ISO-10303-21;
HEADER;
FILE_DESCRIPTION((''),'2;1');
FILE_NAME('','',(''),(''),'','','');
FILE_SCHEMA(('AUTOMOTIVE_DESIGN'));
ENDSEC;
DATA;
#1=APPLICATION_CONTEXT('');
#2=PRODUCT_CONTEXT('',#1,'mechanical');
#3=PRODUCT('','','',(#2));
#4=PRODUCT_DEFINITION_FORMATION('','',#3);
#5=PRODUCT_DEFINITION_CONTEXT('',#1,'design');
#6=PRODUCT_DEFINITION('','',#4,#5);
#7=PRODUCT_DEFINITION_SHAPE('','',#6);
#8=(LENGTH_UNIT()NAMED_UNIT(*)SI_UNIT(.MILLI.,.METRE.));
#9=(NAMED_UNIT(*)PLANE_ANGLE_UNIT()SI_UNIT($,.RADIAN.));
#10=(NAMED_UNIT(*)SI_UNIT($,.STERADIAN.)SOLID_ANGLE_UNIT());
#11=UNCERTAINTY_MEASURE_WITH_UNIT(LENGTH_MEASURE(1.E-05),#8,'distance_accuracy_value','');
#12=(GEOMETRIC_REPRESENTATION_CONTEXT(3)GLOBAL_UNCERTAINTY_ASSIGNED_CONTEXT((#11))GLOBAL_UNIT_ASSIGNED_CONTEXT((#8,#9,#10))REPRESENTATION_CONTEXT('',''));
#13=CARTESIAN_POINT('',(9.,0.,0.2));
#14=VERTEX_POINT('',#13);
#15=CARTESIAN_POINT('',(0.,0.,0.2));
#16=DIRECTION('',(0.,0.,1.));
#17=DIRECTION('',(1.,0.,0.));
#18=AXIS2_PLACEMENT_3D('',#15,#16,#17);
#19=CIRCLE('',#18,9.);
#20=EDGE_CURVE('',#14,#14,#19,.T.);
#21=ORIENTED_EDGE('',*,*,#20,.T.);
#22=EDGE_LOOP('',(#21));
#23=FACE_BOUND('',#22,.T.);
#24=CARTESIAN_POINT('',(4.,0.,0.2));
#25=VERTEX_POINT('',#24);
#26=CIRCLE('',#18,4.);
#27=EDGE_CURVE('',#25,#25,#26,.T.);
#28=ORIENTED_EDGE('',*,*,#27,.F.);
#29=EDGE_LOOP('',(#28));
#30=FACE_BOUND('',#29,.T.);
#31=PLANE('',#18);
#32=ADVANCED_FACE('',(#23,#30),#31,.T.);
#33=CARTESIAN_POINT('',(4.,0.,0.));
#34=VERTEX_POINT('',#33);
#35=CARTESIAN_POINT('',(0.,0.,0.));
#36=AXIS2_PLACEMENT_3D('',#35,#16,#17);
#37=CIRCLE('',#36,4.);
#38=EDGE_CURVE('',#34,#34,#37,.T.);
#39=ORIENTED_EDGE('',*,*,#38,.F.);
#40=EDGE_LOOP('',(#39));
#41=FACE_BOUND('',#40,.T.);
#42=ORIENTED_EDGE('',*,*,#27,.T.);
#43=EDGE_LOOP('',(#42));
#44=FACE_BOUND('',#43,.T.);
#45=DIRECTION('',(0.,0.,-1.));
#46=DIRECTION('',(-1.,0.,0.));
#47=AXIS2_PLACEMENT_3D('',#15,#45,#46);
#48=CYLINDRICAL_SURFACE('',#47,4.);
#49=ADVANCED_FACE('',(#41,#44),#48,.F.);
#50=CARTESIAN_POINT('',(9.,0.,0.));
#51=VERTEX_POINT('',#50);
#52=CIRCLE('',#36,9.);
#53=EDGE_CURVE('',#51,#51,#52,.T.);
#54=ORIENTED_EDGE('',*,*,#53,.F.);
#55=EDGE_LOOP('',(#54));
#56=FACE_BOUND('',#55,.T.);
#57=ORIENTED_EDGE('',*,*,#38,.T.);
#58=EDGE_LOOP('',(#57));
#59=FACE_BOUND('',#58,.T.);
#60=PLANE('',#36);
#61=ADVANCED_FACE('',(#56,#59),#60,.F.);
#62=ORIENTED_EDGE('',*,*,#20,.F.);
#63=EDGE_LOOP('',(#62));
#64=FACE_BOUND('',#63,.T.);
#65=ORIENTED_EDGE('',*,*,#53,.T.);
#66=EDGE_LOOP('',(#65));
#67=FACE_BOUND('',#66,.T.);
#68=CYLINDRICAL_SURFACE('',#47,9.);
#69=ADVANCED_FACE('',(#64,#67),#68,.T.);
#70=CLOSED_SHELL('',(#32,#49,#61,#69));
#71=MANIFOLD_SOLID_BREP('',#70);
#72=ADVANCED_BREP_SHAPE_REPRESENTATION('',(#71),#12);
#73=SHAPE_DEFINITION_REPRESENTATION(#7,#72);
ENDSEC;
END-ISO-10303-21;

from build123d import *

# Parameters (mm, degrees)
ESQUISSE1_R          = 9
ESQUISSE1_R_2        = 4
BASE_EXTRUSION_DEPTH = 0.2


with BuildPart() as part:
    # Esquisse1 → Base-Extrusion (new body)
    with BuildSketch(Plane.XY):
        Circle(ESQUISSE1_R)
        Circle(ESQUISSE1_R_2, mode=Mode.SUBTRACT)
    extrude(amount=BASE_EXTRUSION_DEPTH)


solid = part.part
